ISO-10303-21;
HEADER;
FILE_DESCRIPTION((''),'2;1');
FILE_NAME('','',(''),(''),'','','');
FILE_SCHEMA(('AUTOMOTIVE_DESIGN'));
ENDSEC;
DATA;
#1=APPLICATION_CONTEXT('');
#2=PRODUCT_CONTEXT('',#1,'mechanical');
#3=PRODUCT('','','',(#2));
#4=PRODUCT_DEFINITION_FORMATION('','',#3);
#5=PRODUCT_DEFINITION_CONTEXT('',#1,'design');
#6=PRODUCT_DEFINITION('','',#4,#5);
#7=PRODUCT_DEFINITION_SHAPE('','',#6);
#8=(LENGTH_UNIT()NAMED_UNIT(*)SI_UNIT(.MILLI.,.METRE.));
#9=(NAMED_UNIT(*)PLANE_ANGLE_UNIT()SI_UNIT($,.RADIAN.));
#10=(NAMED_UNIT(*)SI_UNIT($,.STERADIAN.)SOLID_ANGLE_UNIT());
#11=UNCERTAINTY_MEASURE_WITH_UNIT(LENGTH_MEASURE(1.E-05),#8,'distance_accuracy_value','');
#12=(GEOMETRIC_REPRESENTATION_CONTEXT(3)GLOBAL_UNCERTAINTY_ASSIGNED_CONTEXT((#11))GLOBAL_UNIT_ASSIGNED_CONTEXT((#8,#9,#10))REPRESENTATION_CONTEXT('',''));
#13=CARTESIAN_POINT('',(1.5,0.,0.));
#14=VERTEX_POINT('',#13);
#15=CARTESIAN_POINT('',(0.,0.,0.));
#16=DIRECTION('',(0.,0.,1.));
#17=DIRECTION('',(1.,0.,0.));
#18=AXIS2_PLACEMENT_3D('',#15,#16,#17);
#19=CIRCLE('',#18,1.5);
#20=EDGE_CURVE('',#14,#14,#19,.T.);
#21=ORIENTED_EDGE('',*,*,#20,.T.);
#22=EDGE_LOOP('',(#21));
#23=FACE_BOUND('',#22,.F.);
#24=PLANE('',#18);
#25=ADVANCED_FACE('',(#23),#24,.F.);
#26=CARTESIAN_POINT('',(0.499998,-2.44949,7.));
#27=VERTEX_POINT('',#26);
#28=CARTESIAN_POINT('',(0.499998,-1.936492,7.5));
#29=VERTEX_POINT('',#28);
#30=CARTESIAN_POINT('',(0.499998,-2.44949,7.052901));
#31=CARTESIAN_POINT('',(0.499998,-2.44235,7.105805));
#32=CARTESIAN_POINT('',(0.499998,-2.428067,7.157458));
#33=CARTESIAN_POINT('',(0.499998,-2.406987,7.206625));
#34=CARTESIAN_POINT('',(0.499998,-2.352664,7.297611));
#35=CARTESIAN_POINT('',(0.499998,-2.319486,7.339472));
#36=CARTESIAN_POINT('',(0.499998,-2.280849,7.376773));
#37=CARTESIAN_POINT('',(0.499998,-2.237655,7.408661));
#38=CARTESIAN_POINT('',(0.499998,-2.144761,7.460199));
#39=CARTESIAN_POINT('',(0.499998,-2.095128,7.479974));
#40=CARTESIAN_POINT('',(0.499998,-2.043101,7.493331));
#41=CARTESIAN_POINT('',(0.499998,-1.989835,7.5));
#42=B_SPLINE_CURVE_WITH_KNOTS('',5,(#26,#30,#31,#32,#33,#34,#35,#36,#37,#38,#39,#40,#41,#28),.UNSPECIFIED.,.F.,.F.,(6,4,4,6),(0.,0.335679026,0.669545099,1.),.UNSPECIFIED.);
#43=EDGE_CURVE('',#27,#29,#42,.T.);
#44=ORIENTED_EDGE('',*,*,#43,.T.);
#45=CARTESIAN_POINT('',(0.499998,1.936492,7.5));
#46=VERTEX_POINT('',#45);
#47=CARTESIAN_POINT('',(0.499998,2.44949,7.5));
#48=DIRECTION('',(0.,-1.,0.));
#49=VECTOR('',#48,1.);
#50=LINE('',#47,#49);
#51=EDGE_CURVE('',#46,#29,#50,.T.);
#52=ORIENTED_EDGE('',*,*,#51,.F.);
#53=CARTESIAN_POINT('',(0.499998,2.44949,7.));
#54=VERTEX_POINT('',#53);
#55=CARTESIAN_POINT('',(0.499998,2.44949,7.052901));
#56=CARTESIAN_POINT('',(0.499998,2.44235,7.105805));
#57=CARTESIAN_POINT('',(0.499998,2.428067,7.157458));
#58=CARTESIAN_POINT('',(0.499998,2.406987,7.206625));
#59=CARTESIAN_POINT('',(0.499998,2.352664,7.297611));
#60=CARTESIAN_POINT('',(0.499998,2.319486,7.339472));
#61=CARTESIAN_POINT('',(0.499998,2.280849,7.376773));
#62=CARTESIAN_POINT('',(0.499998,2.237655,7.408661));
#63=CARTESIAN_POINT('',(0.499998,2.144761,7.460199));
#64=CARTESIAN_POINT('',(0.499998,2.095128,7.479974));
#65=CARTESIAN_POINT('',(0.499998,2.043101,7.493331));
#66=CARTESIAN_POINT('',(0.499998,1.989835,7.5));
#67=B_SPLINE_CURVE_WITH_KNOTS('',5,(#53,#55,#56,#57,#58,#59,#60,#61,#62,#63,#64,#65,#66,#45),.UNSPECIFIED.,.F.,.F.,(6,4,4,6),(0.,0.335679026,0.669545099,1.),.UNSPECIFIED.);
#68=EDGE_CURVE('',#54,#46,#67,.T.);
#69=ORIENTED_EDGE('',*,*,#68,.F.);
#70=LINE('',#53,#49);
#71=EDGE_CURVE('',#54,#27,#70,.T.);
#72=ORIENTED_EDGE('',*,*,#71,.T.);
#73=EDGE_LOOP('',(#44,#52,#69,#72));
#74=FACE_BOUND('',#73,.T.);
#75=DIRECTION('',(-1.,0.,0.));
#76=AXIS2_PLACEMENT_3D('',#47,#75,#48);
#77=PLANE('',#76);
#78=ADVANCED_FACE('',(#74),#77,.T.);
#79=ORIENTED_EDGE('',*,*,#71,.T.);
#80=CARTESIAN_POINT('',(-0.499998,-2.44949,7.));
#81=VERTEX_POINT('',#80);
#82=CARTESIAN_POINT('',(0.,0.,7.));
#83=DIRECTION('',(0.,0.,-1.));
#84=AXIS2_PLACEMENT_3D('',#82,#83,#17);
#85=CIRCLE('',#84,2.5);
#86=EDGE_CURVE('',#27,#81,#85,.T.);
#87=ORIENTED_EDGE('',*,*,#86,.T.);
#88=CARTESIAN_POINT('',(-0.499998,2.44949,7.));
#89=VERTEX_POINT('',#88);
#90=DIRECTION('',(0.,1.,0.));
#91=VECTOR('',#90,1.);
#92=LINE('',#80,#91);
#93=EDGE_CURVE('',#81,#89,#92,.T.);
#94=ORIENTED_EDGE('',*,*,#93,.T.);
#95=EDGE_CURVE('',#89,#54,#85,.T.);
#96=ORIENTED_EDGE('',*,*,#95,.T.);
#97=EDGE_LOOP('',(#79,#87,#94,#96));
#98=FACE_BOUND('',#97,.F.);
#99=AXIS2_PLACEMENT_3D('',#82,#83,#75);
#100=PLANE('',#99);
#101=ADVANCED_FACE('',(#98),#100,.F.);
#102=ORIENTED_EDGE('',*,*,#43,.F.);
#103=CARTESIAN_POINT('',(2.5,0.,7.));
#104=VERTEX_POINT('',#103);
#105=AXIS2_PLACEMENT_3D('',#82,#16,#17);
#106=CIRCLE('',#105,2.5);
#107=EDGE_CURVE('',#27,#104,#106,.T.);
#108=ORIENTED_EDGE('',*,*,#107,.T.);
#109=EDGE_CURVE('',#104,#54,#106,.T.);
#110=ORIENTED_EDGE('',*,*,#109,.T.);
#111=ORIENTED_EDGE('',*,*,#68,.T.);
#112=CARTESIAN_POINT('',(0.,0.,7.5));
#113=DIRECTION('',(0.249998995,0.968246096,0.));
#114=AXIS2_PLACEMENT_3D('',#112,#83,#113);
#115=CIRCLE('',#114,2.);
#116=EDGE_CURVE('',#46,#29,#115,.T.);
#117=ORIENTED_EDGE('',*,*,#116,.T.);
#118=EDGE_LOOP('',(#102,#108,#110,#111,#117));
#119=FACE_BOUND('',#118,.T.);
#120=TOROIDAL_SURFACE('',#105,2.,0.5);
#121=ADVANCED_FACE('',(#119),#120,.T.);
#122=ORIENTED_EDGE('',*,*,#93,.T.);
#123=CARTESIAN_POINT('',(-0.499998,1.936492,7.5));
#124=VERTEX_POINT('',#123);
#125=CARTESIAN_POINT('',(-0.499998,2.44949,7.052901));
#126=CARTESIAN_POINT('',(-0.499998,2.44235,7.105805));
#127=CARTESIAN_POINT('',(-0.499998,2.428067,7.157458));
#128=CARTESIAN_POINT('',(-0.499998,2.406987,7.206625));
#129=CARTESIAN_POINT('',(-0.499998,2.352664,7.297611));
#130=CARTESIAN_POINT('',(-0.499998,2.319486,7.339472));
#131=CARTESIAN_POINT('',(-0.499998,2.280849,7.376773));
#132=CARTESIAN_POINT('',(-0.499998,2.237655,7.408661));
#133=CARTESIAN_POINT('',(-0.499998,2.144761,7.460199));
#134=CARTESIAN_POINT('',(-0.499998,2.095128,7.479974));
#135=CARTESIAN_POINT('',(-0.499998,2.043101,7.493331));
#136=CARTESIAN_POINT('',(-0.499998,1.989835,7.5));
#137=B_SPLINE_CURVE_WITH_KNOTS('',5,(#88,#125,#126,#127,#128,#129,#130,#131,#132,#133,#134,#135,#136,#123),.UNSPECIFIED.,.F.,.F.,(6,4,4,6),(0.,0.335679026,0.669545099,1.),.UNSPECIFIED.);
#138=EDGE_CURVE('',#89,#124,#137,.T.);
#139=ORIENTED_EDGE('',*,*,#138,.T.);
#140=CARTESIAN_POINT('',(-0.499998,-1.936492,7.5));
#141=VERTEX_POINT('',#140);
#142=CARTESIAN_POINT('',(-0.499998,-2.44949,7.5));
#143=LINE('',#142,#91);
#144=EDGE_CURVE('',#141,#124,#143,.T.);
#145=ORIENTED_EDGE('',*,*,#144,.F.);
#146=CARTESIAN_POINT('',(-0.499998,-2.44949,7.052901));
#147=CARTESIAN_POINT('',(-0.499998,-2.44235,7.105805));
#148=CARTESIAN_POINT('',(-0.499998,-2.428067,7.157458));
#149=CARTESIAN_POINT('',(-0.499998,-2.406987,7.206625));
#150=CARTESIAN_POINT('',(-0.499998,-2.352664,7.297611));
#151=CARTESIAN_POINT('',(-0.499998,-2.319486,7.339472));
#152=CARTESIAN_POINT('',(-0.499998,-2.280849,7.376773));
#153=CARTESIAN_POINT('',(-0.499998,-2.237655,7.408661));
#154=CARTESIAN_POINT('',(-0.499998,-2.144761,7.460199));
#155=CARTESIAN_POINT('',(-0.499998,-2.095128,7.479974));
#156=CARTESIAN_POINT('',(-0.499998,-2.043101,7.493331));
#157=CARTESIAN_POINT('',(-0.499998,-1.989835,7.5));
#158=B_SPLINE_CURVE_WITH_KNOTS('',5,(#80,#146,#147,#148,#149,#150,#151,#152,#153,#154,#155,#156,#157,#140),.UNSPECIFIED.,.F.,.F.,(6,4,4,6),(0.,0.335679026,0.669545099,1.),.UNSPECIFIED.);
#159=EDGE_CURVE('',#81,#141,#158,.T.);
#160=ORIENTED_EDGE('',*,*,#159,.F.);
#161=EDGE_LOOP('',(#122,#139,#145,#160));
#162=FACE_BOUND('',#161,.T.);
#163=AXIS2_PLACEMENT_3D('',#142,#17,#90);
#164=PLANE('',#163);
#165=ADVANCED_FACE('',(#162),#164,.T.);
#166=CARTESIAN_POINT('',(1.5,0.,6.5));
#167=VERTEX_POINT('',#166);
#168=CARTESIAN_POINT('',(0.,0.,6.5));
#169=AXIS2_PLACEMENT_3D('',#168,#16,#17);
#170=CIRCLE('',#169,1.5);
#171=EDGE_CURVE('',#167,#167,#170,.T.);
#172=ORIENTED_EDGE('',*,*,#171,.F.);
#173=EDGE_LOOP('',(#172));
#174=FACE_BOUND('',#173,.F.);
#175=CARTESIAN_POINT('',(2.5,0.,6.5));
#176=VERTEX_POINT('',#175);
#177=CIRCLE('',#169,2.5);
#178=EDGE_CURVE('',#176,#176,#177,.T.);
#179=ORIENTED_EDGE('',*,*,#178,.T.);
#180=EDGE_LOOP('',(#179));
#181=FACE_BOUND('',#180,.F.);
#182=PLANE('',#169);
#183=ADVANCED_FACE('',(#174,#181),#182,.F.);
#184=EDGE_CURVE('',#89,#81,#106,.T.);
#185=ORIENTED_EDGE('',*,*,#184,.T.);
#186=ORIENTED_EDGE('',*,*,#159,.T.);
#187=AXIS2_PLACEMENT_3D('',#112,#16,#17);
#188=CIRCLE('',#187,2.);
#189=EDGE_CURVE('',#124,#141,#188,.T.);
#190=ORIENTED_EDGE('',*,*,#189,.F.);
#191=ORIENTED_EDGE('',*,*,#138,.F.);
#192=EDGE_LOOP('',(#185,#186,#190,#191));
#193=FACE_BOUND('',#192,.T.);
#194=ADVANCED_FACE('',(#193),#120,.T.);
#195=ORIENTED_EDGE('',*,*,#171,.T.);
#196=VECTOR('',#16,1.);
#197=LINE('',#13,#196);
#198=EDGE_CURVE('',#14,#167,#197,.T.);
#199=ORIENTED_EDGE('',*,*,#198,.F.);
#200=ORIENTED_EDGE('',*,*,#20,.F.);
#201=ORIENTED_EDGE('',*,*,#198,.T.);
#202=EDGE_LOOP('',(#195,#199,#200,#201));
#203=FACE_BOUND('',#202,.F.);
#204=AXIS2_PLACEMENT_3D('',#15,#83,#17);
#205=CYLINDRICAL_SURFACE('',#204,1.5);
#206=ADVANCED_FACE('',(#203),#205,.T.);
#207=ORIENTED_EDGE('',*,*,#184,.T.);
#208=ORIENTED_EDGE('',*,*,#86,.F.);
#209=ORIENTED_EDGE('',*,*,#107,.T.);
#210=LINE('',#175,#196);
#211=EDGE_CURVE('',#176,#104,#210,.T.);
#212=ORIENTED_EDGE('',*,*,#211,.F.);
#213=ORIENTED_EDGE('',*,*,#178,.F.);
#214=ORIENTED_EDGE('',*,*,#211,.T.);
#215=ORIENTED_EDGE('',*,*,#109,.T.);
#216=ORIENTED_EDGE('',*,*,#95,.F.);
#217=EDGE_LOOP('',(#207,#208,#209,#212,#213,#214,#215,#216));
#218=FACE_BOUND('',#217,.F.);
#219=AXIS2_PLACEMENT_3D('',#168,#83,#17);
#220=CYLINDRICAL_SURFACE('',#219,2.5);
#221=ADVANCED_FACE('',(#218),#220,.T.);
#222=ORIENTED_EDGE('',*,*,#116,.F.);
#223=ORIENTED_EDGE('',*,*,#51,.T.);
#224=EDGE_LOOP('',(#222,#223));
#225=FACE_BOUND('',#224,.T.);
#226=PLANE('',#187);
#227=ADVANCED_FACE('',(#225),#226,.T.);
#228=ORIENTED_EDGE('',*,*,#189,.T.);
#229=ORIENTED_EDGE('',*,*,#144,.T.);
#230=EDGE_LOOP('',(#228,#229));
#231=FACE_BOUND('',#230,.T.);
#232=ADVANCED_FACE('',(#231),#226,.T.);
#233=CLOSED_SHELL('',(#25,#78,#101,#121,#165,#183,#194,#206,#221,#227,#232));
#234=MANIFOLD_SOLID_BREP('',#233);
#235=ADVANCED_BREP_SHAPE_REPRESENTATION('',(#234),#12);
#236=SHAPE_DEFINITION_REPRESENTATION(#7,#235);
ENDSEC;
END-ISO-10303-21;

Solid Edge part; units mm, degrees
sketch "Sketch1" plane through (0, 0, 0) normal (0, 0, 1) x (1, 0, 0)
  circle A0 centre (0, 0) radius 1.5
  dimension "D1" = 3
extrude "Protrusion1" add sketch "Sketch1" along normal blind 6.5
sketch "Sketch2" plane through (0, 0, 6.5) normal (0, 0, 1) x (1, 0, 0)
  circle A0 centre (0, 0) radius 2.5
  dimension "D1" = 5
extrude "Head" add sketch "Sketch2" along normal blind 1
fillet "Round___Head" radius 0.5 1 edges at (-2.5, 0, 7.5)
sketch "Sketch3" plane through (0, 0, 7.5) normal (0, 0, 1) x (1, 0, 0)
  line L0 (-0.5, -2.4495) -> (-0.5, 2.4495)
  line L1 (0.5, 2.4495) -> (0.5, -2.4495)
  arc A0 (0.5, -2.4495) -> (-0.5, -2.4495) centre (0, 0) cw
  arc A1 (-0.5, 2.4495) -> (0.5, 2.4495) centre (0, 0) cw
extrude "Cutout___Head" cut sketch "Sketch3" against normal blind 0.5
cosmetic_thread "Thread1" size "M3"
properties material "Stainless Steel, 420"
